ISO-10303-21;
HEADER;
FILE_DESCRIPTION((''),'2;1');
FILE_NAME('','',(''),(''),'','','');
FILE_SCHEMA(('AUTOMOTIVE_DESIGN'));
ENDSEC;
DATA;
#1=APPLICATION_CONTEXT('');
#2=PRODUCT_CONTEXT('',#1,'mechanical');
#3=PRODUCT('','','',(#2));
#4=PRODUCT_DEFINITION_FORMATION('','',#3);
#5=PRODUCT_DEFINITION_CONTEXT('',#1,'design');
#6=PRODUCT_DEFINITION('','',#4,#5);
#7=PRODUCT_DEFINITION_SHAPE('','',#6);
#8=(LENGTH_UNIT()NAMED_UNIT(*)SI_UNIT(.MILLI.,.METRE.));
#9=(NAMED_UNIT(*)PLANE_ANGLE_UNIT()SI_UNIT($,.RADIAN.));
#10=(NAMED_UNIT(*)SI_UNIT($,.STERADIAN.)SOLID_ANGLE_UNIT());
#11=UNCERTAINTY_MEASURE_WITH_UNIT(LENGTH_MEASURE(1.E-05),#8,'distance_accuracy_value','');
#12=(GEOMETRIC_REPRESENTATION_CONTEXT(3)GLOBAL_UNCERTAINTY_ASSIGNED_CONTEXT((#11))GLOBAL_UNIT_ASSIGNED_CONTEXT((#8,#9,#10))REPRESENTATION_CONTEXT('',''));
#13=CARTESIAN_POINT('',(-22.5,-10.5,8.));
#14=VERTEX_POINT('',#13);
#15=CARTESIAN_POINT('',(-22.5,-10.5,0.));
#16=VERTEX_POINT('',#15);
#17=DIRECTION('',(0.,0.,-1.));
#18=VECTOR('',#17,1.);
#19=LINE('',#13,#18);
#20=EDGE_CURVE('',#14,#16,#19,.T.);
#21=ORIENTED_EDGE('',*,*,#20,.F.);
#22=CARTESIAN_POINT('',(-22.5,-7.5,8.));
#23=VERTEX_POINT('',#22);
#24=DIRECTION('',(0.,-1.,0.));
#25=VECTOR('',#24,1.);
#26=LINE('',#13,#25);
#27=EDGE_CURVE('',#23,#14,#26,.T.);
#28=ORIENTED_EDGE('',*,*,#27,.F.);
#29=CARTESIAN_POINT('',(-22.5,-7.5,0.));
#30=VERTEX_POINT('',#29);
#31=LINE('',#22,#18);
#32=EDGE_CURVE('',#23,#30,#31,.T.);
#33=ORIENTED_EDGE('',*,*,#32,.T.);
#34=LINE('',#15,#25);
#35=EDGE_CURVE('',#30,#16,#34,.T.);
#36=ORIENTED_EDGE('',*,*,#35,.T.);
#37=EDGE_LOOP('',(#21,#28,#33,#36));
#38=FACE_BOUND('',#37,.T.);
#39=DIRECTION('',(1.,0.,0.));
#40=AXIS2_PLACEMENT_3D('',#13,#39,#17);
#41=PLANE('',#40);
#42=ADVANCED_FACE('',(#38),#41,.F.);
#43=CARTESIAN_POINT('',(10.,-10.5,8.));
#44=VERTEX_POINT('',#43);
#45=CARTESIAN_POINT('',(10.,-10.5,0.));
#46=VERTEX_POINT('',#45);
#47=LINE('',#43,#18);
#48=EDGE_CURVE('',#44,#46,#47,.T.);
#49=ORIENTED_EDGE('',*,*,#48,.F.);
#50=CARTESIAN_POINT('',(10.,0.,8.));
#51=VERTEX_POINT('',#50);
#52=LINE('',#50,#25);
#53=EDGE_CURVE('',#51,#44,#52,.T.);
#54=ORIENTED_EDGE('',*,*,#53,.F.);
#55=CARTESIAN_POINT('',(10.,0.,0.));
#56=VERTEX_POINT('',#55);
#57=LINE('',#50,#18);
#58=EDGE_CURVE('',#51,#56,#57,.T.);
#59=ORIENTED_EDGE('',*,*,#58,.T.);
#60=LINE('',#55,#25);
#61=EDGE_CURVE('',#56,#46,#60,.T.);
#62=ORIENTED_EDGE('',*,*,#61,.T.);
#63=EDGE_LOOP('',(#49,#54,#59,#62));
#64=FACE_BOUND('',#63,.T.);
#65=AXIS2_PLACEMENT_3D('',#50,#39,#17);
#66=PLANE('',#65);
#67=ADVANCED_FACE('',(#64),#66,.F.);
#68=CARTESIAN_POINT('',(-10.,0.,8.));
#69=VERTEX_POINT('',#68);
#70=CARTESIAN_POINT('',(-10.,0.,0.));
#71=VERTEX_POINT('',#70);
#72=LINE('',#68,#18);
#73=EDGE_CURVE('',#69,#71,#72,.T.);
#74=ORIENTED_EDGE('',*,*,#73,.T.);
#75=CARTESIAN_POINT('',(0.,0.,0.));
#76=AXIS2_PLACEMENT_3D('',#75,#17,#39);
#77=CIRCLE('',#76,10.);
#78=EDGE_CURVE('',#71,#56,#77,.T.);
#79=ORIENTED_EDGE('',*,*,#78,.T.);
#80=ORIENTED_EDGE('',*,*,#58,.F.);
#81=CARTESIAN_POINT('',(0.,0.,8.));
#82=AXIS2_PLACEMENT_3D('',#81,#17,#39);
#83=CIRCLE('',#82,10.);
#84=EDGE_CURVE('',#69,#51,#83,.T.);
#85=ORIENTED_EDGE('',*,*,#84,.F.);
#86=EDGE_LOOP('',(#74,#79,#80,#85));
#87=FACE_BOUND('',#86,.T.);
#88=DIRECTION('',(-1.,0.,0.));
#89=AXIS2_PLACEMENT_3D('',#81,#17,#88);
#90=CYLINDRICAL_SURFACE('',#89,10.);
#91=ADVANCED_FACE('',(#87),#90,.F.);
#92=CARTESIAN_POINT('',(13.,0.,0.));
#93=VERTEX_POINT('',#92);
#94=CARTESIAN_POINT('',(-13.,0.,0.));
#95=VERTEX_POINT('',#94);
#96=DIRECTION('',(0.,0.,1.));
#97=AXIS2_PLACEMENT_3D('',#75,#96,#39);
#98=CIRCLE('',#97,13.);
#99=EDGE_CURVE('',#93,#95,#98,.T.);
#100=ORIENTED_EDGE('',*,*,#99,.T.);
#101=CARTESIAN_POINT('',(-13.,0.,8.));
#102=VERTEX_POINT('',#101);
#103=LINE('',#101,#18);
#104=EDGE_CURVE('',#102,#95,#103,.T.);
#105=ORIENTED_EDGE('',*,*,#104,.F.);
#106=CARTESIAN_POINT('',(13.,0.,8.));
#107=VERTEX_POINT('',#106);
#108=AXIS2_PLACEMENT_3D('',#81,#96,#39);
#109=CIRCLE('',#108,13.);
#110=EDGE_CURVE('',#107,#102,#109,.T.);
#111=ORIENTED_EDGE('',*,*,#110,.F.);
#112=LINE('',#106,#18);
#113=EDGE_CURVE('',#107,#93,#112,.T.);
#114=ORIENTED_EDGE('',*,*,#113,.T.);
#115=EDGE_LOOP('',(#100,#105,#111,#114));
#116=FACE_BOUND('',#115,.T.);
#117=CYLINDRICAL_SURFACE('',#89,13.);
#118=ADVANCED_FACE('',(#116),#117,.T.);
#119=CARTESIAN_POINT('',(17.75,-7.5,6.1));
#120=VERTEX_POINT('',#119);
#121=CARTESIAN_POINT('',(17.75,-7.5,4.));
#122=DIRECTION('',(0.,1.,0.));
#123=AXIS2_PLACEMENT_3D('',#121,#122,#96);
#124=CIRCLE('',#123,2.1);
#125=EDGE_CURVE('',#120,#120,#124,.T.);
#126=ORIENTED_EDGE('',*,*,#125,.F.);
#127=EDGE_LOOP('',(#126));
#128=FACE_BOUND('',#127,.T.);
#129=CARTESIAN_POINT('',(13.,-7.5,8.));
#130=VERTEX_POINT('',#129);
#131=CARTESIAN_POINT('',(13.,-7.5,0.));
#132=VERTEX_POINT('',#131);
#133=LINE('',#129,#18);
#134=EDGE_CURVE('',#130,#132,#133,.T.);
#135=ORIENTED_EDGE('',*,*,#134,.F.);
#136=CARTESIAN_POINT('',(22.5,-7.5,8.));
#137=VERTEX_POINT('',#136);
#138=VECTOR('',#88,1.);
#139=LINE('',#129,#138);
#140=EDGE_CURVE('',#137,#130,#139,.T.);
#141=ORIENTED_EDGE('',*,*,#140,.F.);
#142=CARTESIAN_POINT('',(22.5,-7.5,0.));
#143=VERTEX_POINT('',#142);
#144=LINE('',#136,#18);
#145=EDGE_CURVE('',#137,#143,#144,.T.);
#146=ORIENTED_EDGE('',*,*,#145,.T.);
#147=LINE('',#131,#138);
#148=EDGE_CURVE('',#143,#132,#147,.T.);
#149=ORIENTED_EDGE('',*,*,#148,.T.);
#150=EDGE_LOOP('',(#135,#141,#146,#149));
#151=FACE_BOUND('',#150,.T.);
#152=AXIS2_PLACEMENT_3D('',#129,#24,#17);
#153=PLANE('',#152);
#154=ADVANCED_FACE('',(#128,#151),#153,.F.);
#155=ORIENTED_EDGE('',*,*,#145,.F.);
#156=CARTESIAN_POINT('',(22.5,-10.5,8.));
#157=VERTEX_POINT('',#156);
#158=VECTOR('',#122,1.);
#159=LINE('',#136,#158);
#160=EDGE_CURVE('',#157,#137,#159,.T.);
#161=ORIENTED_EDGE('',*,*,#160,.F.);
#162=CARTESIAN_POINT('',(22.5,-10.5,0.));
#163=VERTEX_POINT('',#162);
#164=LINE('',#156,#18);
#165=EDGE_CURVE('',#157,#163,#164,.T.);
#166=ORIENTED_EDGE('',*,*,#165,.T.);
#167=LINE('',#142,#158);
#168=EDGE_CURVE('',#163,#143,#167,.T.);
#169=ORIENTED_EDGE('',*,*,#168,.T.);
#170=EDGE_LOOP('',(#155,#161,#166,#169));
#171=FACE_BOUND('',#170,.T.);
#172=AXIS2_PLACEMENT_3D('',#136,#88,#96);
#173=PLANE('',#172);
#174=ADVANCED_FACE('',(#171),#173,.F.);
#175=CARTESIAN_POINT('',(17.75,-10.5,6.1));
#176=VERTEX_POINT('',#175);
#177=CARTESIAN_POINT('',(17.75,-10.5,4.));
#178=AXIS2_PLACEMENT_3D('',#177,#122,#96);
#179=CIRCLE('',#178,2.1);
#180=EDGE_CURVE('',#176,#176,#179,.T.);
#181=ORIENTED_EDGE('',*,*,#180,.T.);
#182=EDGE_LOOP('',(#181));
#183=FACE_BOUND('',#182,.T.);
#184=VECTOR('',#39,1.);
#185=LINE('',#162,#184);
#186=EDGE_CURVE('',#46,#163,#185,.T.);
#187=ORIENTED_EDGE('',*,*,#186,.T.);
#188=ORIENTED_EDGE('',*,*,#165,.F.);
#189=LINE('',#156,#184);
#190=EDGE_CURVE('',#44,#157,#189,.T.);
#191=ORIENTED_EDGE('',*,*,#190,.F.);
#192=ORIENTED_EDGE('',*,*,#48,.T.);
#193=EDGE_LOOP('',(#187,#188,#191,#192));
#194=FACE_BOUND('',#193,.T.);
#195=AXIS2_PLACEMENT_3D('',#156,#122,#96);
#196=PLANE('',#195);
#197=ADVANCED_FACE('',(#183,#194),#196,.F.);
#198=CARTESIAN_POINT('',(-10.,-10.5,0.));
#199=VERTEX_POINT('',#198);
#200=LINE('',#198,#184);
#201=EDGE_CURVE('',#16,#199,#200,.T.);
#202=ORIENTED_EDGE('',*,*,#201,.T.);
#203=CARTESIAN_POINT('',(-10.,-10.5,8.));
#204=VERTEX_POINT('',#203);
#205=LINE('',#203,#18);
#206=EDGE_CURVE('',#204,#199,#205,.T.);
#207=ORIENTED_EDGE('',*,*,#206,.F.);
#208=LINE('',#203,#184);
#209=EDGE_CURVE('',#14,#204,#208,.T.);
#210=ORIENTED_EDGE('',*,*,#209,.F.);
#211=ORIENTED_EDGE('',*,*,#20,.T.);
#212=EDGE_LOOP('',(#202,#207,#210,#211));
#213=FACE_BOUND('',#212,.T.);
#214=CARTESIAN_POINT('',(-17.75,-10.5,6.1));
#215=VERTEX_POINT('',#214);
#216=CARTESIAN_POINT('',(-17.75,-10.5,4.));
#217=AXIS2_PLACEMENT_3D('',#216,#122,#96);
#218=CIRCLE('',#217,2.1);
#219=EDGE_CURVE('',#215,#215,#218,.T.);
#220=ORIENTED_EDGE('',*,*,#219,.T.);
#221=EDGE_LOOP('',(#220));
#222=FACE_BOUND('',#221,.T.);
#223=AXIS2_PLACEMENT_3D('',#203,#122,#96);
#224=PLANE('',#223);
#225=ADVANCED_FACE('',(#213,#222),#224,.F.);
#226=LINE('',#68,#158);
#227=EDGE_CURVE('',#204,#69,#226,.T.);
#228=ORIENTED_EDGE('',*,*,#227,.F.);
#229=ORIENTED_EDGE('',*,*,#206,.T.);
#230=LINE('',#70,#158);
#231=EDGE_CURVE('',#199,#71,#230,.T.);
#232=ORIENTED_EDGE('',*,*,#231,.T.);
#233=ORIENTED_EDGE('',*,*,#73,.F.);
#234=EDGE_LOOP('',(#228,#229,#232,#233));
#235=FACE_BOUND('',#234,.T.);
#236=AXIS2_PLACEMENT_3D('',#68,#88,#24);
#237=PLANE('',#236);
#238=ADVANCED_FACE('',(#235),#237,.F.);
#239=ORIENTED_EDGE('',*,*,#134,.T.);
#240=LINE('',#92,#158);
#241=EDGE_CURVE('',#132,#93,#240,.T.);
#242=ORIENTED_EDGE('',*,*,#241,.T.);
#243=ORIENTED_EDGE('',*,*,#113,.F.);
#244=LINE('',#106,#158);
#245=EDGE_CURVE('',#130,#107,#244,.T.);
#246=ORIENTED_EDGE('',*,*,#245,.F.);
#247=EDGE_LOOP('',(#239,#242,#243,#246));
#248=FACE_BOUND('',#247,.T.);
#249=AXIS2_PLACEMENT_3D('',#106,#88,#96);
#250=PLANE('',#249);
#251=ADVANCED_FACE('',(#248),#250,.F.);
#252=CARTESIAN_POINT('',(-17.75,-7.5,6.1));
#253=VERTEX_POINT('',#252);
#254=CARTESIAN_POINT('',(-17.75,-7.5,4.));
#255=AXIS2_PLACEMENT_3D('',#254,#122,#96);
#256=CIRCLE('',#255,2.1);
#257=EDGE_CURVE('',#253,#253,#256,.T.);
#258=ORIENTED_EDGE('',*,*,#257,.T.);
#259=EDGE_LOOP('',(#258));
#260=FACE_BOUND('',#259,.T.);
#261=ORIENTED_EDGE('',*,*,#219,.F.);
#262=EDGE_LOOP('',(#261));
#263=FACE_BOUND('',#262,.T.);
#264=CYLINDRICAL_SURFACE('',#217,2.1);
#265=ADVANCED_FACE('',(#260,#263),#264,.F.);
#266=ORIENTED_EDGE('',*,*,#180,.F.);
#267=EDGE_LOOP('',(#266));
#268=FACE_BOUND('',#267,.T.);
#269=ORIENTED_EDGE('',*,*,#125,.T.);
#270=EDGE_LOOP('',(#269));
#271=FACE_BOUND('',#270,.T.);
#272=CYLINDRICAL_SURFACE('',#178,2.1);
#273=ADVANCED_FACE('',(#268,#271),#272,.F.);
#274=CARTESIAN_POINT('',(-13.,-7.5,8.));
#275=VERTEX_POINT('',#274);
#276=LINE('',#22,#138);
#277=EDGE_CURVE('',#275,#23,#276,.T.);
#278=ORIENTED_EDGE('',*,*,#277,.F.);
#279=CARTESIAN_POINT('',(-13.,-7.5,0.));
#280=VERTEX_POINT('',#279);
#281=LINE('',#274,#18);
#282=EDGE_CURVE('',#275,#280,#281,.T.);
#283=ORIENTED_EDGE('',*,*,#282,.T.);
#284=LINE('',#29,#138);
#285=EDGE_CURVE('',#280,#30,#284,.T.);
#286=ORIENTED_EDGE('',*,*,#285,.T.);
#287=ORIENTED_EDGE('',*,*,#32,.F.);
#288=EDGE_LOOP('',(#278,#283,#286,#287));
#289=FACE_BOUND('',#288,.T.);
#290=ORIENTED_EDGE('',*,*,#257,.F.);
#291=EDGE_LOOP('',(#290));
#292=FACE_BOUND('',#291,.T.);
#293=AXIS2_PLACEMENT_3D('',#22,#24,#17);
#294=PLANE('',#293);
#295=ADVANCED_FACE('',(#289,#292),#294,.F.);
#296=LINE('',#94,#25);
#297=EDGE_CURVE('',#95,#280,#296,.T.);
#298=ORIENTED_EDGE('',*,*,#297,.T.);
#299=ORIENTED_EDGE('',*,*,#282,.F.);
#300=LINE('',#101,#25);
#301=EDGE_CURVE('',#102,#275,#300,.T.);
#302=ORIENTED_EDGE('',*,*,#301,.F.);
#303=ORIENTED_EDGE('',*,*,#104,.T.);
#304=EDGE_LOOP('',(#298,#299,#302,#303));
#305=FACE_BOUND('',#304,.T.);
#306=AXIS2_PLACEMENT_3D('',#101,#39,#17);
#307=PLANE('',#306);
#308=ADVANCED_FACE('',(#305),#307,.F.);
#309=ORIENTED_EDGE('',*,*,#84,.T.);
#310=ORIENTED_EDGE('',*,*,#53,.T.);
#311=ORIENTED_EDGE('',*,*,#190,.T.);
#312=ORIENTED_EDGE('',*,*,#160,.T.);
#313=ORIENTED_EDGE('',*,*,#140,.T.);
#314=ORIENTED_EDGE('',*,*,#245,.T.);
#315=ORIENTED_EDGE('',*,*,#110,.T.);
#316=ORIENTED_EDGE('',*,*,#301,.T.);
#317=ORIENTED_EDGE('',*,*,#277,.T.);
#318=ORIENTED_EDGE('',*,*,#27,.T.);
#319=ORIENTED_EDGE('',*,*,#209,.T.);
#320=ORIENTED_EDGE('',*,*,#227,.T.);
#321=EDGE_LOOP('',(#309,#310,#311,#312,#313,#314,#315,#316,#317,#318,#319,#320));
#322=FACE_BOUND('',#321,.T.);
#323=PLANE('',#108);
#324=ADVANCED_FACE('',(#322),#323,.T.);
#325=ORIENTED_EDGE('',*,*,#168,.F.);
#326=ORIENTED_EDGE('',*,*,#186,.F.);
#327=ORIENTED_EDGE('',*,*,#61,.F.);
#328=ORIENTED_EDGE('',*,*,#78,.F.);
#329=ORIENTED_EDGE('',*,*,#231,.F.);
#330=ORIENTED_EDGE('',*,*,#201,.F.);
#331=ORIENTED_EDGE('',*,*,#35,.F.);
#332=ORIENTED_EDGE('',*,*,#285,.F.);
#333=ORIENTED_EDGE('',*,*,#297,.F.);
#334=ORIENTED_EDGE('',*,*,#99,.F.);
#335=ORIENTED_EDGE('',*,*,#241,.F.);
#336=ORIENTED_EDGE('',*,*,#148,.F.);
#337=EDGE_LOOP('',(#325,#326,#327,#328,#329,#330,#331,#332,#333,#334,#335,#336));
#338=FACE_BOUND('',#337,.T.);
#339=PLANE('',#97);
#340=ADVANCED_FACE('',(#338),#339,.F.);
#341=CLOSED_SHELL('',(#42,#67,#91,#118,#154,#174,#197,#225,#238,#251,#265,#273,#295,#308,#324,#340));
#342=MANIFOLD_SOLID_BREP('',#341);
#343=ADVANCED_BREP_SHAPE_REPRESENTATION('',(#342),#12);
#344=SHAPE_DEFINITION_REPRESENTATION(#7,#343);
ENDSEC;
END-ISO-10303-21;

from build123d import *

# Parameters (mm, degrees)
CLAMP_DEPTH      = 8
SKETCH2_R        = 2.1
SCREW_HOLE_DEPTH = 32.472209964


with BuildPart() as part:
    # Sketch1 → Clamp (new body)
    with BuildSketch(Plane.XY):
        with BuildLine():
            Line((-22.5, -7.5), (-13, -7.5))
            Line((-13, -7.5), (-13, 0))
            ThreePointArc((-13, 0), (0, 13), (13, 0))
            Line((13, 0), (13, -7.5))
            Line((13, -7.5), (22.5, -7.5))
            Line((22.5, -7.5), (22.5, -10.5))
            Line((22.5, -10.5), (10, -10.5))
            Line((10, -10.5), (10, 0))
            ThreePointArc((10, 0), (0, 10), (-10, 0))
            Line((-10, 0), (-10, -10.5))
            Line((-10, -10.5), (-22.5, -10.5))
            Line((-22.5, -10.5), (-22.5, -7.5))
        make_face()
    extrude(amount=CLAMP_DEPTH)

    # Sketch2 → Screw Hole (cut, through all)
    with BuildSketch(Plane(origin=(0, -7.5, 0), x_dir=(1, 0, 0), z_dir=(0, 1, 0))):
        with Locations((-17.75, -4)):
            Circle(SKETCH2_R)
        with Locations((17.75, -4)):
            Circle(SKETCH2_R)
    extrude(amount=-SCREW_HOLE_DEPTH, mode=Mode.SUBTRACT)


solid = part.part
